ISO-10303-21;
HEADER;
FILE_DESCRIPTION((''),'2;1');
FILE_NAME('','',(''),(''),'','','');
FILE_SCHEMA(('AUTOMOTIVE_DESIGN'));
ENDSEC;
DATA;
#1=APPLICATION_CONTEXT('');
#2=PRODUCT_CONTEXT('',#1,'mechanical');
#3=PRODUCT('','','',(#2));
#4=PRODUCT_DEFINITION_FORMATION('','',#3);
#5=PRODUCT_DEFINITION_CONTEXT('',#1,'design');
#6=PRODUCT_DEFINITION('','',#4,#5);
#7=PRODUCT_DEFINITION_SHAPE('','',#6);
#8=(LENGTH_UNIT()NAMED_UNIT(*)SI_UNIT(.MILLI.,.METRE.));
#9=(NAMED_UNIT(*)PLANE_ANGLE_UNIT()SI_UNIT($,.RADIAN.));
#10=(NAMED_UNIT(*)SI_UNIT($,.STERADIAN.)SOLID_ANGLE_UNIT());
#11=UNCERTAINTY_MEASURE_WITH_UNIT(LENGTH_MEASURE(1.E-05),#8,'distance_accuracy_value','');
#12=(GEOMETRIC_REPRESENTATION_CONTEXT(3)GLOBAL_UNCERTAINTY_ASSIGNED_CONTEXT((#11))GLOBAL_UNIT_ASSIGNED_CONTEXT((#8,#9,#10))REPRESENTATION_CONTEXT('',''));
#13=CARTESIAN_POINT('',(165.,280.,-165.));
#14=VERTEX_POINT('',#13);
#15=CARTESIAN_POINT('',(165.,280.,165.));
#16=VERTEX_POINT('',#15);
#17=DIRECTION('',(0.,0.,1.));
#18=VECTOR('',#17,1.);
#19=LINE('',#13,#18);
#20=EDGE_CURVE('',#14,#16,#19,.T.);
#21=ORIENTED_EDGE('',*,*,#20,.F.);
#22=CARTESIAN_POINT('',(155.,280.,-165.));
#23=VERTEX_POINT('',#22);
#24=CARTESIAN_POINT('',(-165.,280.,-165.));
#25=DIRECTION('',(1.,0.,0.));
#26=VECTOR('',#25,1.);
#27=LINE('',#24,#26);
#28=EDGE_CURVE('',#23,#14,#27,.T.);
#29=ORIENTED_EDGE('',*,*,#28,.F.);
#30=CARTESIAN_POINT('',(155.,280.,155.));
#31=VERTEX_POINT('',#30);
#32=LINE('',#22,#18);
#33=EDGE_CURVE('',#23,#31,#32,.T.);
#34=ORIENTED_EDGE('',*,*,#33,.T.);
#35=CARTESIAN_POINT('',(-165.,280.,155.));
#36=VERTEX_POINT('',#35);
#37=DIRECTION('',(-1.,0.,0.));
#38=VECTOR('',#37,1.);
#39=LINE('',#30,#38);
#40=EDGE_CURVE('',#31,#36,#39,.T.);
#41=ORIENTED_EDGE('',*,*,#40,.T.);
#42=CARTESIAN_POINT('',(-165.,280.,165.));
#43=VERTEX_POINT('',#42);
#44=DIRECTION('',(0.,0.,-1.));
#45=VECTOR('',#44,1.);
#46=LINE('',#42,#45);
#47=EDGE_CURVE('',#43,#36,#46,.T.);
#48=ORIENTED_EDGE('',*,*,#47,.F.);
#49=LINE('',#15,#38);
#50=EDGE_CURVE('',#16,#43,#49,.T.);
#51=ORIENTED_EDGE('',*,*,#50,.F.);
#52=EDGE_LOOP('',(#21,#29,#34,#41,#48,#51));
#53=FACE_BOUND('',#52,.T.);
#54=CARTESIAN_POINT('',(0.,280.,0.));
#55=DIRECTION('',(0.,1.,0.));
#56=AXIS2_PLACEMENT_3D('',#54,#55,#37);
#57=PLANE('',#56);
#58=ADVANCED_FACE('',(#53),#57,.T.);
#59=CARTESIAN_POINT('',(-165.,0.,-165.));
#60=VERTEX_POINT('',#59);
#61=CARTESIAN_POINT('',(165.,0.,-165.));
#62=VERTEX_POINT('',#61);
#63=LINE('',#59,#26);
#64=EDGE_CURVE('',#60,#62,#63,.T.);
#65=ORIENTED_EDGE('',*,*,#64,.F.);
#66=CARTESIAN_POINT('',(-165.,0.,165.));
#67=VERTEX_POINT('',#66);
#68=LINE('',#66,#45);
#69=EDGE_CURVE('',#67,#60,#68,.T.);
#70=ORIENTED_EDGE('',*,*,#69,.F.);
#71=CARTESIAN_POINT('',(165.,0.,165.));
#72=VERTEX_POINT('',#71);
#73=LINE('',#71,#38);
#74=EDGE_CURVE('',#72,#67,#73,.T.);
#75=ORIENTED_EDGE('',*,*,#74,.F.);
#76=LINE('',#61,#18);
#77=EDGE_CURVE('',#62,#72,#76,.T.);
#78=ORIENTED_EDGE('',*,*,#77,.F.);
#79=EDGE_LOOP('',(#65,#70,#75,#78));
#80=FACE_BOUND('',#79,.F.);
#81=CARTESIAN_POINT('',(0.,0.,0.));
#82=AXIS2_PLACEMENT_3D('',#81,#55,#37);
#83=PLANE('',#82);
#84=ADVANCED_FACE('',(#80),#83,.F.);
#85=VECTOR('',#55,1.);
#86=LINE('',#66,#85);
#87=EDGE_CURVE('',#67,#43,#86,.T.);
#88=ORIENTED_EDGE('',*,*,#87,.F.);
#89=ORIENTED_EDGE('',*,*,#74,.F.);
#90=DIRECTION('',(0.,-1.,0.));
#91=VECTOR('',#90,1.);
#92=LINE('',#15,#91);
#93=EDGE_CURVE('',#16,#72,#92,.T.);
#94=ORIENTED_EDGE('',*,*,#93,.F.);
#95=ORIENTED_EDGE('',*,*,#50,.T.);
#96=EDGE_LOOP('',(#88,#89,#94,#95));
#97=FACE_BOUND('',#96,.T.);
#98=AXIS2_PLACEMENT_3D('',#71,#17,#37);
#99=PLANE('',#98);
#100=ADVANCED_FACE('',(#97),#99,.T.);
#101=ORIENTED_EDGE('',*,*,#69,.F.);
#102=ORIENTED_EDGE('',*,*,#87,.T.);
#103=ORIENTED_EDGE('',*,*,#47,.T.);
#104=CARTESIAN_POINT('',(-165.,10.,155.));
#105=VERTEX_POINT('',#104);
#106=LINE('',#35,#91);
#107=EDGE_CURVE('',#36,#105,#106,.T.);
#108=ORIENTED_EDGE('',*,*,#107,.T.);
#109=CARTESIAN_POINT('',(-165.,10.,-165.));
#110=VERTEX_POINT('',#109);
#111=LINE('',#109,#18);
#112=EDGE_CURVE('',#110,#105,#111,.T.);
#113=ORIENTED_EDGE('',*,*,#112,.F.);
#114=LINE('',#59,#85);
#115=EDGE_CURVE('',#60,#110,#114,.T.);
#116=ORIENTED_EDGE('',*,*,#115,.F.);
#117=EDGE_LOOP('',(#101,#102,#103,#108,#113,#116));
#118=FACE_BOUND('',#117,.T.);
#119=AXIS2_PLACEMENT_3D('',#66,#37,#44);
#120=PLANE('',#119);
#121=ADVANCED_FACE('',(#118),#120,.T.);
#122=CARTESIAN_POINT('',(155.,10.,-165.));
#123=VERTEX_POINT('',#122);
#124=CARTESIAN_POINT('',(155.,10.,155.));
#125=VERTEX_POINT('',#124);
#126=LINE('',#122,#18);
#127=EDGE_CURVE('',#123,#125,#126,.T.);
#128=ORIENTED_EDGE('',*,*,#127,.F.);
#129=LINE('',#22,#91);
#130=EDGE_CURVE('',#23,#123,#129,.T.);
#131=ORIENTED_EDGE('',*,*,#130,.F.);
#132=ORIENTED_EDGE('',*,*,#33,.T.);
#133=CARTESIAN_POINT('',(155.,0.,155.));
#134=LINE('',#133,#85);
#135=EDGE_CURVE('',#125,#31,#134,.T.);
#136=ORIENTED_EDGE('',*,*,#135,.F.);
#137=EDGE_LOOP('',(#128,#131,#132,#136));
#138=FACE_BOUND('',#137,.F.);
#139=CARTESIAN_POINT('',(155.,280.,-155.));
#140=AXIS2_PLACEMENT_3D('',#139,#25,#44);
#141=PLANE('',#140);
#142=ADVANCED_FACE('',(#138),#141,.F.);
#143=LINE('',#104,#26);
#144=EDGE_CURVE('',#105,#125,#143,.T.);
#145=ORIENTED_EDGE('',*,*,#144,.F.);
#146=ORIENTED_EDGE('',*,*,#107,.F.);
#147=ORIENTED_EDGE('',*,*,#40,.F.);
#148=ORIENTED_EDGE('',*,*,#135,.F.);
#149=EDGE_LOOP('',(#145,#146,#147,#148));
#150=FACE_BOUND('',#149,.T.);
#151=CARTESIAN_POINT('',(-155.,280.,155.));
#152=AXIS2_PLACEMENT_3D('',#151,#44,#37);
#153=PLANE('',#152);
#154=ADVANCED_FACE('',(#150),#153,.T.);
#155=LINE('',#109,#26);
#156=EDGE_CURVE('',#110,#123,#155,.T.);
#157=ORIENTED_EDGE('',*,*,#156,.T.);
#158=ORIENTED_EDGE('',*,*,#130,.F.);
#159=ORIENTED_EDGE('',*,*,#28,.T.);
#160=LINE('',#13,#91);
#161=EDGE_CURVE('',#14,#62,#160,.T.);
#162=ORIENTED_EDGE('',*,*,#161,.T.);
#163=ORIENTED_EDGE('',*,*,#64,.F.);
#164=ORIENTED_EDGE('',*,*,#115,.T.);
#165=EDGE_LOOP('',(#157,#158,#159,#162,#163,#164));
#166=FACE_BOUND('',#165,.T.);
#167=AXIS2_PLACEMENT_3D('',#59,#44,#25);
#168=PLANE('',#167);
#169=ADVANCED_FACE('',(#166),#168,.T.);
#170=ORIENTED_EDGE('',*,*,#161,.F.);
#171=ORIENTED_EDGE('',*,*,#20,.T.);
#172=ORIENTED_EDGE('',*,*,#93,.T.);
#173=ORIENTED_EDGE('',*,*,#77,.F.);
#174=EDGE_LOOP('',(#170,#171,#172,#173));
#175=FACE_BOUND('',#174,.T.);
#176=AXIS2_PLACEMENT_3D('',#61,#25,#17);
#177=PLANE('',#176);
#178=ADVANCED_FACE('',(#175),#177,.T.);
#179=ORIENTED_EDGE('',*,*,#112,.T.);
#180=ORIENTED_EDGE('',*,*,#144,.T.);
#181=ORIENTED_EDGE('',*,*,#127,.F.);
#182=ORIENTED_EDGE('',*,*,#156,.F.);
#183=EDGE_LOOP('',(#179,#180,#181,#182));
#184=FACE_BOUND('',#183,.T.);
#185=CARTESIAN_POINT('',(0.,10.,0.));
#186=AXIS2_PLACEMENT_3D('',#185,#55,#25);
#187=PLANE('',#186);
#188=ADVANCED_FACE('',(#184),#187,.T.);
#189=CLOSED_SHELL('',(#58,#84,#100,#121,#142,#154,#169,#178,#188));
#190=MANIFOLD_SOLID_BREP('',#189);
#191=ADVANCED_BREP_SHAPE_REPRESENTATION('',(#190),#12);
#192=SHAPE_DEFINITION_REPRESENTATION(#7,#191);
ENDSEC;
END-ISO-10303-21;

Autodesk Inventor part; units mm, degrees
ref_plane "YZ Plane" through (0, 0, 0) normal (1, 0, 0) x (0, 1, 0)
ref_plane "XY Plane" through (0, 0, 0) normal (0, 0, 1) x (1, 0, 0)
sketch "Sketch1" plane through (0, 0, 0) normal (0, 1, 0) x (-1, 0, 0)
  line L0 (155, 155) -> (-155, 155)
  line L1 (-155, 155) -> (-155, -155)
  line L2 (-155, -155) -> (155, -155)
  line L3 (155, -155) -> (155, 155)
  line L4 (155, 155) -> (-155, -155) construction
  line L5 (-155, 155) -> (155, -155) construction
  line L6 (165, -165) -> (-165, -165)
  line L7 (-165, -165) -> (-165, 165)
  line L8 (-165, 165) -> (165, 165)
  line L9 (165, 165) -> (165, -165)
  point P0 (0, 0)
  dimension "d0" = 310
  dimension "d1" = 310
extrude "Extrusion1" add sketch "Sketch1" along normal blind 10 contours L3 L2 L1 L0 | L6 L7 L8 L9
extrude "Extrusion2" add sketch "Sketch1" along normal blind 280
sketch "Sketch4" plane through (0, 280, 0) normal (0, 1, 0) x (1, 0, 0)
  line L0 (-155, 155) -> (-155, -155) projected
  line L1 (-155, -155) -> (155, -155) projected
  line L2 (155, -155) -> (155, 155) projected
  line L3 (155, 155) -> (-155, 155) projected
  point P0 (0, 0)
  dimension "d6" = 310
  dimension "d7" = 310
sketch "Sketch5" plane through (155, 10, 155) normal (-1, 0, 0) x (0, 0, 1)
  line L0 (0, 0) -> (-310, 0) projected
  line L1 (0, 0) -> (0, 270) projected
  line L2 (-310, 270) -> (0, 270) projected
  line L3 (-310, 0) -> (-310, 270) projected
  point P0 (-155, -10)
  dimension "d8" = 270
sketch "Sketch6" plane through (0, 10, 0) normal (0, 1, 0) x (1, 0, 0)
  line L0 (-155, 155) -> (-155, -155) projected
  line L1 (-155, -155) -> (155, -155) projected
  line L2 (155, -155) -> (155, 155) projected
  line L3 (155, 155) -> (-155, 155) projected
  point P0 (0, 0)
sketch "Sketch7" plane through (-155, 10, -155) normal (1, 0, 0) x (0, 0, -1)
  line L0 (0, 0) -> (-310, 0) projected
  line L1 (0, 0) -> (0, 270) projected
  line L2 (-310, 270) -> (0, 270) projected
  line L3 (-310, 0) -> (-310, 270) projected
  point P0 (-155, -10)
sketch "Sketch8" plane through (0, 280, 0) normal (0, 1, 0) x (1, 0, 0)
  line L0 (165, 165) -> (-165, 165)
  line L1 (155, 155) -> (155, 165)
  line L2 (-165, 165) -> (165, 165)
  line L3 (-155, 155) -> (-155, 165)
  line L4 (155, 155) -> (-155, 155)
  point P0 (0, 0)
  dimension "d0" = 310
extrude "Extrusion3" cut sketch "Sketch8" against normal blind 270
sketch "Sketch9" plane through (0, 280, 0) normal (0, 1, 0) x (1, 0, 0)
  line L0 (-155, -155) -> (-155, 165) projected
  line L1 (-155, 165) -> (-165, 165) projected
  line L2 (-165, 165) -> (-165, -165) projected
  line L3 (-165, -165) -> (165, -165) projected
  line L4 (165, -165) -> (165, 165) projected
  line L5 (165, 165) -> (155, 165) projected
  line L6 (155, 165) -> (155, -155) projected
  line L7 (155, -155) -> (-155, -155) projected
  line L8 (-155, -155) -> (-165, -155)
  point P0 (0, 0)
extrude "Extrusion4" cut sketch "Sketch9" against normal blind 270 contours L8 L2 L1 L0
ref_plane "Work Plane1" through (0, 10, 0) normal (0, 1, 0) x (-1, 0, 0)
properties part number "Box Pengukuran"
